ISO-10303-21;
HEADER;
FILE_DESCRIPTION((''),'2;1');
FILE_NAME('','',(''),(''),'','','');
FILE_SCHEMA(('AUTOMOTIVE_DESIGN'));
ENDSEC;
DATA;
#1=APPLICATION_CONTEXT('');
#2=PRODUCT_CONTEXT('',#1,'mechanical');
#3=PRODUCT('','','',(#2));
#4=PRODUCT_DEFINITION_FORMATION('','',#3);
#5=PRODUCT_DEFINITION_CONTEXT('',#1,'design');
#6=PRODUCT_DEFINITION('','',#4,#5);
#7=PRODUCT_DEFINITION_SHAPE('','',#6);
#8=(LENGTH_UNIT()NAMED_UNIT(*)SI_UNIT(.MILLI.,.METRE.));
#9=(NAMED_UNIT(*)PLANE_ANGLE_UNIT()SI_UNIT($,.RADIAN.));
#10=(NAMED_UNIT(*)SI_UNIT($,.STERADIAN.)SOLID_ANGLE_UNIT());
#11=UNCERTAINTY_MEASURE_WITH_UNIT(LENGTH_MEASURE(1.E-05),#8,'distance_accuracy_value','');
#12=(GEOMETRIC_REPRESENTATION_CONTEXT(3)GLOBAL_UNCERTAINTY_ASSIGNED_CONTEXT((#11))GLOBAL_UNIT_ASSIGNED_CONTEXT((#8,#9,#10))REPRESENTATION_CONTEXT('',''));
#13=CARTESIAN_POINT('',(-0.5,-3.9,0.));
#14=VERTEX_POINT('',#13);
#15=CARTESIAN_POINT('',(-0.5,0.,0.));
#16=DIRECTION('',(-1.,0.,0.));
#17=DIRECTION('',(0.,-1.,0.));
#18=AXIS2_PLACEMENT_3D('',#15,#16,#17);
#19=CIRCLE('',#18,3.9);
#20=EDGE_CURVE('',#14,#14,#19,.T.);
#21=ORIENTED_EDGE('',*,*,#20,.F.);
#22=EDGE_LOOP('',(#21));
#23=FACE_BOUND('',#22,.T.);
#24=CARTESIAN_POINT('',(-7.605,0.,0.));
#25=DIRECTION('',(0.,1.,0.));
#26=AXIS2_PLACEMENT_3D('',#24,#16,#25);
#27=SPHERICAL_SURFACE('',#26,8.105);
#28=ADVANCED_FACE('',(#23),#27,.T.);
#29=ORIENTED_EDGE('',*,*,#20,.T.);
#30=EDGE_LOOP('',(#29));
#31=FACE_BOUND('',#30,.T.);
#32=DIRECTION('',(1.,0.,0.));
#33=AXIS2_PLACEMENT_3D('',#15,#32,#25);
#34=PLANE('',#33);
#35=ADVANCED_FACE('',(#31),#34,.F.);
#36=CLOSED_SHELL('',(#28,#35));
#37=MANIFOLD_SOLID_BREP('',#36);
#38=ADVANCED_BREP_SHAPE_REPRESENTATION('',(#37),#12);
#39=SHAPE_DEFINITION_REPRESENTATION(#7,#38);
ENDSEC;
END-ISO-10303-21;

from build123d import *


with BuildPart() as part:
    # Sketch1 → Revolve1 (revolve)
    with BuildSketch(Plane.XY):
        with BuildLine():
            Line((0.5, 0), (-0.5, 0))
            Line((-0.5, 0), (-0.5, 3.9))
            ThreePointArc((-0.5, 3.9), (0.246020634, 2.013082214), (0.5, 0))
        make_face()
    revolve(axis=Axis((-2.450459707, 0, 0), (1, 0, 0)))


solid = part.part
